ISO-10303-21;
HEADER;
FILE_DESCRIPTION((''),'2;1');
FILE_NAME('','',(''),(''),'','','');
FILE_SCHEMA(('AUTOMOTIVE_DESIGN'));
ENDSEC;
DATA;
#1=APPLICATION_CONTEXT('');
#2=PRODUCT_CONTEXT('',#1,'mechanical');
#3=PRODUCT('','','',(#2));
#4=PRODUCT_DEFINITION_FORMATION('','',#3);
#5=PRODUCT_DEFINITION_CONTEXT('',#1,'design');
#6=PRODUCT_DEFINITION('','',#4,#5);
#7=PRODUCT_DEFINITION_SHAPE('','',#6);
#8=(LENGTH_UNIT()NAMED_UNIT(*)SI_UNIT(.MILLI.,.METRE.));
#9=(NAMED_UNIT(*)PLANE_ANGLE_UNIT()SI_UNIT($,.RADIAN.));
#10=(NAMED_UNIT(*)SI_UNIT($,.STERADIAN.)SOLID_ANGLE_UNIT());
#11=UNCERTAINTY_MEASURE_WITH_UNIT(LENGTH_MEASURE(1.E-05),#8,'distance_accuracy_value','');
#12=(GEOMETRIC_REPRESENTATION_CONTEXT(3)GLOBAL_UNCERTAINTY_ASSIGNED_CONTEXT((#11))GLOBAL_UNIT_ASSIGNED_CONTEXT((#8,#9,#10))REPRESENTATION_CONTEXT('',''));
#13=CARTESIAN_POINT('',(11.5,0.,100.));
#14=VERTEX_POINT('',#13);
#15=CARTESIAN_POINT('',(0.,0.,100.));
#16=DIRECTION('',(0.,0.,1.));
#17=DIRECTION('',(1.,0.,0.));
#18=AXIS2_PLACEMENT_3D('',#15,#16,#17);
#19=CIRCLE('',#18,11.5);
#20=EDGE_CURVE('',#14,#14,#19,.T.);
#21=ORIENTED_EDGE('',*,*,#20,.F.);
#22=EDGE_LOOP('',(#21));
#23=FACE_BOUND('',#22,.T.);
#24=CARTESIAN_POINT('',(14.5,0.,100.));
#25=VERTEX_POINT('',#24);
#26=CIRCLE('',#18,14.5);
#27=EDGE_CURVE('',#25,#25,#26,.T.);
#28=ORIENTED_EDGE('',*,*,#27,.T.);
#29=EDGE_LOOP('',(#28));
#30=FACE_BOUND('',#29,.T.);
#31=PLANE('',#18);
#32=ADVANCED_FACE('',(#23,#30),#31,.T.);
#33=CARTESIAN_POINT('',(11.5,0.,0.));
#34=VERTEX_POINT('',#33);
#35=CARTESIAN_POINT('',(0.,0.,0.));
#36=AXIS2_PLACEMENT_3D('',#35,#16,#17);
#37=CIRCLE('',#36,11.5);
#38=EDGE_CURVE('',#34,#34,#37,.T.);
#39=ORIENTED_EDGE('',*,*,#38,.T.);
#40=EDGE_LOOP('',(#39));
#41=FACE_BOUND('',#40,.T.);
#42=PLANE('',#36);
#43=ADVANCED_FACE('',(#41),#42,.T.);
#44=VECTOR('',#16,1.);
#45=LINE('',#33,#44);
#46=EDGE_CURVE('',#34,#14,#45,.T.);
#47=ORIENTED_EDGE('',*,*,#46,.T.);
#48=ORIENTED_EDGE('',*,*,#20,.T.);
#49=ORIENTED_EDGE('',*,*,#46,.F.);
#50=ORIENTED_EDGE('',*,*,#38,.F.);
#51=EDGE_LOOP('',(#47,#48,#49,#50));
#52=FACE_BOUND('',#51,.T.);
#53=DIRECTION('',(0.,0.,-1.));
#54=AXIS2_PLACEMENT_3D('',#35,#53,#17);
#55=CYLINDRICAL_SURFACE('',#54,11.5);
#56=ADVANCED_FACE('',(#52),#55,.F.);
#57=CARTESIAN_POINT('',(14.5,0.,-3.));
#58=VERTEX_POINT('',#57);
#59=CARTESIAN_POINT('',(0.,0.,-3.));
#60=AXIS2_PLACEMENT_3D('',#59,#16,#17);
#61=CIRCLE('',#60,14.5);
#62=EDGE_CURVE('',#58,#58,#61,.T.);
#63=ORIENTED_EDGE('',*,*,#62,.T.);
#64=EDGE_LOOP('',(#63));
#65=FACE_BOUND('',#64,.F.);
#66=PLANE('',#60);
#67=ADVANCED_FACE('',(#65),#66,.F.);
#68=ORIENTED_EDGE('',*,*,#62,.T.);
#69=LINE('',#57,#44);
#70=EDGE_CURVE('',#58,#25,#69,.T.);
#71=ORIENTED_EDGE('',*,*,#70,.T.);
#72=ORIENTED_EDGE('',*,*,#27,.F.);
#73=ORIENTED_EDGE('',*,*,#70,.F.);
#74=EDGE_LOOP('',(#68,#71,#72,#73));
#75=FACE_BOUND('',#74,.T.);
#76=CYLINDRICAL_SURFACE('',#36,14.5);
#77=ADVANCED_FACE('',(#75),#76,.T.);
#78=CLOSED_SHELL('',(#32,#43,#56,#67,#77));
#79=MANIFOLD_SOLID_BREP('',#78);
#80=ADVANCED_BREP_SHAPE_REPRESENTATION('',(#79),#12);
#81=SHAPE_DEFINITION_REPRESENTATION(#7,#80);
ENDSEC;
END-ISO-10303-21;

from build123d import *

# Parameters (mm, degrees)
F1_R     = 14.5
F1_R_2   = 11.5
F2_DEPTH = 100
F3_R     = 14.5
F4_DEPTH = 3


with BuildPart() as f2:
    # F1 (on Top) → F2 (new body)
    with BuildSketch(Plane.XY):
        Circle(F1_R)
        Circle(F1_R_2, mode=Mode.SUBTRACT)
    extrude(amount=F2_DEPTH)

    # F3 (on Top) → F4 (join)
    with BuildSketch(Plane.XY):
        Circle(F3_R)
    extrude(amount=-F4_DEPTH)


solid = f2.part
